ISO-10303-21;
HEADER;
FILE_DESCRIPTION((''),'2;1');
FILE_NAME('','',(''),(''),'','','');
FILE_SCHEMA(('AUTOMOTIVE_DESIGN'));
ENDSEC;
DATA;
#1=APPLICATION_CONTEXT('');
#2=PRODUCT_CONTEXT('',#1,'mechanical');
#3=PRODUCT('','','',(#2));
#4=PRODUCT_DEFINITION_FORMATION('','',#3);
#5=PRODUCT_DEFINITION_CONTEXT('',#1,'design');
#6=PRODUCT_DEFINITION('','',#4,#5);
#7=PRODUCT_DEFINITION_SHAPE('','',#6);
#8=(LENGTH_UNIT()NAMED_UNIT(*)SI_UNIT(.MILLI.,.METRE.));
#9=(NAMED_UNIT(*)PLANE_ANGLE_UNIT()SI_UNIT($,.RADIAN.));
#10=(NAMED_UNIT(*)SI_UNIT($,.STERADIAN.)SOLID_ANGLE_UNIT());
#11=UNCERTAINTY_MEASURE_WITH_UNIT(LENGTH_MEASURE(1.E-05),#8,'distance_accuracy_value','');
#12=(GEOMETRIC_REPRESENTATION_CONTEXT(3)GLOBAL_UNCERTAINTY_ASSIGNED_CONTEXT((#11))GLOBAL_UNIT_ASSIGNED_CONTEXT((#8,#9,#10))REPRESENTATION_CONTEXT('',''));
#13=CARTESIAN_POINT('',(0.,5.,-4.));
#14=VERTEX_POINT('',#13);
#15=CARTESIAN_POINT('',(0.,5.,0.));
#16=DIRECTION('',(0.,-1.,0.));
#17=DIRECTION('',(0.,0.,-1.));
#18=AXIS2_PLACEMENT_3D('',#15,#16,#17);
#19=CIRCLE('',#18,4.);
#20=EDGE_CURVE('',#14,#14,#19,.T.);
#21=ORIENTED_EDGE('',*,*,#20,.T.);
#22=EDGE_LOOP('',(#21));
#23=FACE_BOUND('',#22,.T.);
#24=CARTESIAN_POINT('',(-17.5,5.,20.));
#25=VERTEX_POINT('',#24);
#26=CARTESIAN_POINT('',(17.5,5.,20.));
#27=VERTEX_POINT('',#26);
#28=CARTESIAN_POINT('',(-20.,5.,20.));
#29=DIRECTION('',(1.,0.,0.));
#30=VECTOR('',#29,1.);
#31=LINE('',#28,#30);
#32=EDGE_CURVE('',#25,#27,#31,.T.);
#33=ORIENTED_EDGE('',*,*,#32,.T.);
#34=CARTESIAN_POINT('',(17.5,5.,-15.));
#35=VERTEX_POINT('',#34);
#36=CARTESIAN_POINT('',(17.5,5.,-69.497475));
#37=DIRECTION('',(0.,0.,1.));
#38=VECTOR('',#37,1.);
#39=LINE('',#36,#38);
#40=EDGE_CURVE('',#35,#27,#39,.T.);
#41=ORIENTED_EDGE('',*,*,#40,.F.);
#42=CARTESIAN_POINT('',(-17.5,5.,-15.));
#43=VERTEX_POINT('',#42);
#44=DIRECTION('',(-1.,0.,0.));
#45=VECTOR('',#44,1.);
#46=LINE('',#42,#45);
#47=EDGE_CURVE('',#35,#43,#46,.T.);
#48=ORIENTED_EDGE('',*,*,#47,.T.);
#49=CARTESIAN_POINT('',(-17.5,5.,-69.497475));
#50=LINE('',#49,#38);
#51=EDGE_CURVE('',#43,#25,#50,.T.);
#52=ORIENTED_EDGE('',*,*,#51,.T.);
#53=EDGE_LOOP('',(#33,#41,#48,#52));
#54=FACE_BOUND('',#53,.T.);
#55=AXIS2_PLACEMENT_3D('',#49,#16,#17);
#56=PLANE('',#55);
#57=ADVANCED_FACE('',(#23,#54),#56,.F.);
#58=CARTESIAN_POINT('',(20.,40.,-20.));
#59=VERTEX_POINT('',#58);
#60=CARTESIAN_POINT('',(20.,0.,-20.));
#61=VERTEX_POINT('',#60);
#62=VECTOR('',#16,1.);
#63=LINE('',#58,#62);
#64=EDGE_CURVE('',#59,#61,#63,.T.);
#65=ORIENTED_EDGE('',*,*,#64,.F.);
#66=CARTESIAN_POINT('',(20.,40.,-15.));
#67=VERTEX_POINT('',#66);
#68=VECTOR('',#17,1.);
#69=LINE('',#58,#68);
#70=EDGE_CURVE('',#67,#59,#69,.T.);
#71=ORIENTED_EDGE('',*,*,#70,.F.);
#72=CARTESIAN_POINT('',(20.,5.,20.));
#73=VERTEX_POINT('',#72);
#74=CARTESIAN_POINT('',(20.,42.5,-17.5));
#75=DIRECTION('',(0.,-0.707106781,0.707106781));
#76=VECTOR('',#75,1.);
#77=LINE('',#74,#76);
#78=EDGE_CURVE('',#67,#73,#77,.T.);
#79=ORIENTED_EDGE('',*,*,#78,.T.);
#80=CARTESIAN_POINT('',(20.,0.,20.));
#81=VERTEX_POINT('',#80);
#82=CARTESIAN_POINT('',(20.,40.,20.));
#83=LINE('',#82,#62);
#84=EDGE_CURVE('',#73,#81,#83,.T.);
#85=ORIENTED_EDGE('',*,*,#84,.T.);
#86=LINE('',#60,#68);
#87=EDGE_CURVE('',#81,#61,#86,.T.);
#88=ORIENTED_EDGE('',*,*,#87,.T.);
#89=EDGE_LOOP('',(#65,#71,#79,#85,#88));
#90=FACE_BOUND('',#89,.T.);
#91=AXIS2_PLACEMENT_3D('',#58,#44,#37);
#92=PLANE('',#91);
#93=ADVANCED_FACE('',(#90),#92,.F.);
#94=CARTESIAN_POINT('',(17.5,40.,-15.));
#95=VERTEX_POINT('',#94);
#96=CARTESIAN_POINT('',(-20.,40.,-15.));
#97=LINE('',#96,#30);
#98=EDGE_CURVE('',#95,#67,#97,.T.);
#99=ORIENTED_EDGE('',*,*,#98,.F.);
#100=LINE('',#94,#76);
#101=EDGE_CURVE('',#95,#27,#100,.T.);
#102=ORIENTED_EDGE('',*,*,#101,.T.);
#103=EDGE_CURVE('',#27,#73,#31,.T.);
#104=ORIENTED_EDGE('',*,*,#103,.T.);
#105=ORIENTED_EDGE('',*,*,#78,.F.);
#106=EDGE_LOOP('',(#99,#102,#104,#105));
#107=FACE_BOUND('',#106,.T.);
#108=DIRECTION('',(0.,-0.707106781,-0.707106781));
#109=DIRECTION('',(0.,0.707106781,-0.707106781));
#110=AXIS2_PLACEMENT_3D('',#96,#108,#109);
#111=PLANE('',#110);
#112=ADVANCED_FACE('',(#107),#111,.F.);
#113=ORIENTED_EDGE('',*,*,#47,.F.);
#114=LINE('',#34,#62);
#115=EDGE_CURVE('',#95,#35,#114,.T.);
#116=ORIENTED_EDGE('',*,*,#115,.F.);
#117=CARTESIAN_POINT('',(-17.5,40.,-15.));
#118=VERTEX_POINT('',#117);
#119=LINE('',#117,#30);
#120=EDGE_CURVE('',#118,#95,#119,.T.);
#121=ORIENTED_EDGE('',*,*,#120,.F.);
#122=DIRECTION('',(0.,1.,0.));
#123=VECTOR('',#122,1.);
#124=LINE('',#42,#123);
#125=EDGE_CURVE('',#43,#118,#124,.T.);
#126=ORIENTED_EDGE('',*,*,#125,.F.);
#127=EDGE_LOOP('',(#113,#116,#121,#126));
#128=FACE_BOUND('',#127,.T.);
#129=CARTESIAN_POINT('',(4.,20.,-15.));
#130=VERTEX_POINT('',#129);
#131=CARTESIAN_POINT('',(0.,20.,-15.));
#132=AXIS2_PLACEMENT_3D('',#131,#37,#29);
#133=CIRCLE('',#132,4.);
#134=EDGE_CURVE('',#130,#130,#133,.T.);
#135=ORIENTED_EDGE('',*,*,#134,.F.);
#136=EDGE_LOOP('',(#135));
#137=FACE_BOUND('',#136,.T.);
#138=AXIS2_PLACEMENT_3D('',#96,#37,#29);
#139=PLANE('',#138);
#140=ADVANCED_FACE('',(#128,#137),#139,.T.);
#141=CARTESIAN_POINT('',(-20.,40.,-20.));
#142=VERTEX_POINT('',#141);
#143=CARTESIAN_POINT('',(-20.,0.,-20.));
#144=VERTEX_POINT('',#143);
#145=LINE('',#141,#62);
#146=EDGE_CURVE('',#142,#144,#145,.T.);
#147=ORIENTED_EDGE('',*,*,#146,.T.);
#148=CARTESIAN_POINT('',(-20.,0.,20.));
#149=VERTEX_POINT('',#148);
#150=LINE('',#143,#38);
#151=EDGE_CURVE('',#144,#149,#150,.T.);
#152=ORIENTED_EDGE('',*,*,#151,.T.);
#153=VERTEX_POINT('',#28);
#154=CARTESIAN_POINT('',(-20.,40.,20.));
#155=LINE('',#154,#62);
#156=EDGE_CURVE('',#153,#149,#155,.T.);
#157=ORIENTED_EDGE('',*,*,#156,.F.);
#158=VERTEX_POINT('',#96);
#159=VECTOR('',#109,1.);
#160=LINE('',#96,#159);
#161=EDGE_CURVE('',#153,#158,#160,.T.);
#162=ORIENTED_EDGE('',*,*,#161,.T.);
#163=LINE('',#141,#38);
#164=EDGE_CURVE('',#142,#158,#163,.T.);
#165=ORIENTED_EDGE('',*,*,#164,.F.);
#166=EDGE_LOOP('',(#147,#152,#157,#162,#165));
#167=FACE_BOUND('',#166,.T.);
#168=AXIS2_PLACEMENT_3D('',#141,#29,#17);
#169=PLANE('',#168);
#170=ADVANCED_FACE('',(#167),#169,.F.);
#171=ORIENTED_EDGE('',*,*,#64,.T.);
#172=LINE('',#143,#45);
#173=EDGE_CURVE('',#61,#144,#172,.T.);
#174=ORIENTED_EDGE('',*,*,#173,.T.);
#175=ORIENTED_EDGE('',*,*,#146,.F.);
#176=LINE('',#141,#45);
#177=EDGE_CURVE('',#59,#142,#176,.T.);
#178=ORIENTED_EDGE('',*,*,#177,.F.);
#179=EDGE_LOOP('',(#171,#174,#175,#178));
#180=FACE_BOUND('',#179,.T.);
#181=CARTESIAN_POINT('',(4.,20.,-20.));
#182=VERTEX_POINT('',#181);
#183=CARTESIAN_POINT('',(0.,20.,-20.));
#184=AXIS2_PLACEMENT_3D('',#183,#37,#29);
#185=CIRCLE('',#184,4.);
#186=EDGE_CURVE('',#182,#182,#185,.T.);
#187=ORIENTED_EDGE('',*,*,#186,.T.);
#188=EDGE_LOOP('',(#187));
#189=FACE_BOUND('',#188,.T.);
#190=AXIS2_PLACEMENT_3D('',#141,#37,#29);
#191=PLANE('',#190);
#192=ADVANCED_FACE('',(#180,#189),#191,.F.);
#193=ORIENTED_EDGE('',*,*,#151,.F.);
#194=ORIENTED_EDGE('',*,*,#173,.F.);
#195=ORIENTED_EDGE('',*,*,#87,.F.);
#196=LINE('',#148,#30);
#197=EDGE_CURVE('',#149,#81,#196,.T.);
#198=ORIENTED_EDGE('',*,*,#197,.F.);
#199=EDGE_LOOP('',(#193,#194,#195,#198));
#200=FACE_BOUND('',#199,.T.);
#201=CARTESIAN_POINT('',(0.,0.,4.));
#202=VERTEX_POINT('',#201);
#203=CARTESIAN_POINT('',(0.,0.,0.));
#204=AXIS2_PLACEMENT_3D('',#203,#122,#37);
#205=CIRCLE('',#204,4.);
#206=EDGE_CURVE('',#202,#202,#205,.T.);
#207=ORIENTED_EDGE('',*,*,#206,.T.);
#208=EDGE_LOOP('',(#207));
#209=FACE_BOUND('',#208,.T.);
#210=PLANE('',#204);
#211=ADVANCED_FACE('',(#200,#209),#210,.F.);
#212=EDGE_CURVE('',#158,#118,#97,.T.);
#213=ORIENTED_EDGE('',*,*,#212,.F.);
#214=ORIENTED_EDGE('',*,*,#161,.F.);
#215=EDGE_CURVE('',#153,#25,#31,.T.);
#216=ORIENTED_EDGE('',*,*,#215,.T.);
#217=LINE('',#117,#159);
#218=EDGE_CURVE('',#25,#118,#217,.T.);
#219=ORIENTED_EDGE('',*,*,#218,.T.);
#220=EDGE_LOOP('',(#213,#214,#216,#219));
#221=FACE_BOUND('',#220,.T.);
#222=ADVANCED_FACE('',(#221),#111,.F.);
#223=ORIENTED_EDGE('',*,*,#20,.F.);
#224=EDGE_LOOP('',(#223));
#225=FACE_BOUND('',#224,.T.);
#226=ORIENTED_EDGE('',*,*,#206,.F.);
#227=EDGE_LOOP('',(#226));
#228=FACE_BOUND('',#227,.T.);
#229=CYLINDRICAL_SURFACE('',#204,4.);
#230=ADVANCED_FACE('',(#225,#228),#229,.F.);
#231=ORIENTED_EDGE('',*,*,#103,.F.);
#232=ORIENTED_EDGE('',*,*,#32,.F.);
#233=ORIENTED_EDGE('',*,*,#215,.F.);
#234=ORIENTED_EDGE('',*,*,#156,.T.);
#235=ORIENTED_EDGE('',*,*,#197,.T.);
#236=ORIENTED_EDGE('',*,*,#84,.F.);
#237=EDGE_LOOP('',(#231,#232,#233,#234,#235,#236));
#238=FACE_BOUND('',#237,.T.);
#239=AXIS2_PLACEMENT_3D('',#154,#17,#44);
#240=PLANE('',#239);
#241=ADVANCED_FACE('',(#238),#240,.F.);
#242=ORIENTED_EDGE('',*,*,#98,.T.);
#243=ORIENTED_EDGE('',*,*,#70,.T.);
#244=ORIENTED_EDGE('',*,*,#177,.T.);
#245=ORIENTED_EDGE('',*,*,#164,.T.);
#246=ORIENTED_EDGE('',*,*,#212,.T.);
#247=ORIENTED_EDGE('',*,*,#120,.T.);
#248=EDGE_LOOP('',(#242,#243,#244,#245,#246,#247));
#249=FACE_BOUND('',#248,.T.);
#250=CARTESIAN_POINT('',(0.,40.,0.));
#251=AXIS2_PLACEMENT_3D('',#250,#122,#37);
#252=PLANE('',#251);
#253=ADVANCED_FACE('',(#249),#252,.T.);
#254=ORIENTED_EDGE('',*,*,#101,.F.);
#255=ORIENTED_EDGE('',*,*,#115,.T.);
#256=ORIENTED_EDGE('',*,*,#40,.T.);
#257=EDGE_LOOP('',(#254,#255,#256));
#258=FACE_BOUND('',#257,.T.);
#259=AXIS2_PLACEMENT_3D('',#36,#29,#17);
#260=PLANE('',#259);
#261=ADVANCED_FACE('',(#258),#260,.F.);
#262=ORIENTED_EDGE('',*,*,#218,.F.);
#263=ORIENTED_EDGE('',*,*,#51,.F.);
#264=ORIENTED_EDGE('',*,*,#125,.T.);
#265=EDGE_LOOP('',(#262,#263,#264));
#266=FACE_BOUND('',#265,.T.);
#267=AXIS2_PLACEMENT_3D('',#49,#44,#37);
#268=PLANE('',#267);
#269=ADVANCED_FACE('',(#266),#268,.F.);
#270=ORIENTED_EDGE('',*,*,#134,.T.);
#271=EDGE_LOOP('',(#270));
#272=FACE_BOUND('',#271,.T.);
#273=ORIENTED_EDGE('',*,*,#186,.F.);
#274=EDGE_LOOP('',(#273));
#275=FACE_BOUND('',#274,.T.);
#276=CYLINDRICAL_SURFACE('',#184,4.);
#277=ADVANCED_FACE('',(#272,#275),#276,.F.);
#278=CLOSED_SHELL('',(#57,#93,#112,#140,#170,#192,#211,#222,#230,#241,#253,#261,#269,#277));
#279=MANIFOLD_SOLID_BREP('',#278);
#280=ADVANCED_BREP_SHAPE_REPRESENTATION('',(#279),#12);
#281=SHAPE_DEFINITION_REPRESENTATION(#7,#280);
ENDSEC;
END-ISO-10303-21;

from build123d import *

# Parameters (mm, degrees)
SKETCH1_W               = 40
SKETCH1_H               = 40
BOSS_EXTRUDE1_DEPTH     = 40
CUT_EXTRUDE1_DEPTH      = 61
CUT_EXTRUDE1_DEPTH_BACK = 61
CUT_EXTRUDE2_DEPTH      = 61
CUT_EXTRUDE2_DEPTH_BACK = 35
SKETCH4_W               = 35
SKETCH4_H               = 35
CUT_EXTRUDE3_DEPTH      = 57.789083458
CUT_EXTRUDE3_DEPTH_BACK = 57.789083458
SKETCH6_R               = 4
CUT_EXTRUDE4_DEPTH      = 46
CUT_EXTRUDE4_DEPTH_BACK = 46
SKETCH5_R               = 4


with BuildPart() as part:
    # Sketch1 → Boss-Extrude1 (new body)
    with BuildSketch(Plane(origin=(0, 0, 0), x_dir=(1, 0, 0), z_dir=(0, 1, 0))):
        Rectangle(SKETCH1_W, SKETCH1_H)
    extrude(amount=BOSS_EXTRUDE1_DEPTH)

    # Sketch2 → Cut-Extrude1 (cut, two sides: drawn at the far end of the back side and taken through both)
    with BuildSketch(Plane(origin=(20, 0, 0), x_dir=(0, 0, -1), z_dir=(1, 0, 0)).offset(-CUT_EXTRUDE1_DEPTH_BACK)):
        Polygon((15, 40), (-20, 5), (-20, 40), align=None)
    extrude(amount=CUT_EXTRUDE1_DEPTH + CUT_EXTRUDE1_DEPTH_BACK, mode=Mode.SUBTRACT)

    # Sketch4 → Cut-Extrude2 (cut, two sides: drawn at the far end of the back side and taken through both)
    with BuildSketch(Plane.XY.offset(20).offset(-CUT_EXTRUDE2_DEPTH_BACK)):
        with Locations((0, 22.5)):
            Rectangle(SKETCH4_W, SKETCH4_H)
    extrude(amount=CUT_EXTRUDE2_DEPTH + CUT_EXTRUDE2_DEPTH_BACK, mode=Mode.SUBTRACT)

    # Sketch6 → Cut-Extrude3 (cut, two sides: drawn at the far end of the back side and taken through both)
    with BuildSketch(Plane.XY.offset(-15).offset(-CUT_EXTRUDE3_DEPTH_BACK)):
        with Locations((0, 20)):
            Circle(SKETCH6_R)
    extrude(amount=CUT_EXTRUDE3_DEPTH + CUT_EXTRUDE3_DEPTH_BACK, mode=Mode.SUBTRACT)

    # Sketch5 → Cut-Extrude4 (cut, two sides: drawn at the far end of the back side and taken through both)
    with BuildSketch(Plane(origin=(0, 5, 0), x_dir=(1, 0, 0), z_dir=(0, 1, 0)).offset(-CUT_EXTRUDE4_DEPTH_BACK)):
        with Locations(Location((0, 0, 0), (0, 0, 270))):
            Circle(SKETCH5_R)
    extrude(amount=CUT_EXTRUDE4_DEPTH + CUT_EXTRUDE4_DEPTH_BACK, mode=Mode.SUBTRACT)


solid = part.part
